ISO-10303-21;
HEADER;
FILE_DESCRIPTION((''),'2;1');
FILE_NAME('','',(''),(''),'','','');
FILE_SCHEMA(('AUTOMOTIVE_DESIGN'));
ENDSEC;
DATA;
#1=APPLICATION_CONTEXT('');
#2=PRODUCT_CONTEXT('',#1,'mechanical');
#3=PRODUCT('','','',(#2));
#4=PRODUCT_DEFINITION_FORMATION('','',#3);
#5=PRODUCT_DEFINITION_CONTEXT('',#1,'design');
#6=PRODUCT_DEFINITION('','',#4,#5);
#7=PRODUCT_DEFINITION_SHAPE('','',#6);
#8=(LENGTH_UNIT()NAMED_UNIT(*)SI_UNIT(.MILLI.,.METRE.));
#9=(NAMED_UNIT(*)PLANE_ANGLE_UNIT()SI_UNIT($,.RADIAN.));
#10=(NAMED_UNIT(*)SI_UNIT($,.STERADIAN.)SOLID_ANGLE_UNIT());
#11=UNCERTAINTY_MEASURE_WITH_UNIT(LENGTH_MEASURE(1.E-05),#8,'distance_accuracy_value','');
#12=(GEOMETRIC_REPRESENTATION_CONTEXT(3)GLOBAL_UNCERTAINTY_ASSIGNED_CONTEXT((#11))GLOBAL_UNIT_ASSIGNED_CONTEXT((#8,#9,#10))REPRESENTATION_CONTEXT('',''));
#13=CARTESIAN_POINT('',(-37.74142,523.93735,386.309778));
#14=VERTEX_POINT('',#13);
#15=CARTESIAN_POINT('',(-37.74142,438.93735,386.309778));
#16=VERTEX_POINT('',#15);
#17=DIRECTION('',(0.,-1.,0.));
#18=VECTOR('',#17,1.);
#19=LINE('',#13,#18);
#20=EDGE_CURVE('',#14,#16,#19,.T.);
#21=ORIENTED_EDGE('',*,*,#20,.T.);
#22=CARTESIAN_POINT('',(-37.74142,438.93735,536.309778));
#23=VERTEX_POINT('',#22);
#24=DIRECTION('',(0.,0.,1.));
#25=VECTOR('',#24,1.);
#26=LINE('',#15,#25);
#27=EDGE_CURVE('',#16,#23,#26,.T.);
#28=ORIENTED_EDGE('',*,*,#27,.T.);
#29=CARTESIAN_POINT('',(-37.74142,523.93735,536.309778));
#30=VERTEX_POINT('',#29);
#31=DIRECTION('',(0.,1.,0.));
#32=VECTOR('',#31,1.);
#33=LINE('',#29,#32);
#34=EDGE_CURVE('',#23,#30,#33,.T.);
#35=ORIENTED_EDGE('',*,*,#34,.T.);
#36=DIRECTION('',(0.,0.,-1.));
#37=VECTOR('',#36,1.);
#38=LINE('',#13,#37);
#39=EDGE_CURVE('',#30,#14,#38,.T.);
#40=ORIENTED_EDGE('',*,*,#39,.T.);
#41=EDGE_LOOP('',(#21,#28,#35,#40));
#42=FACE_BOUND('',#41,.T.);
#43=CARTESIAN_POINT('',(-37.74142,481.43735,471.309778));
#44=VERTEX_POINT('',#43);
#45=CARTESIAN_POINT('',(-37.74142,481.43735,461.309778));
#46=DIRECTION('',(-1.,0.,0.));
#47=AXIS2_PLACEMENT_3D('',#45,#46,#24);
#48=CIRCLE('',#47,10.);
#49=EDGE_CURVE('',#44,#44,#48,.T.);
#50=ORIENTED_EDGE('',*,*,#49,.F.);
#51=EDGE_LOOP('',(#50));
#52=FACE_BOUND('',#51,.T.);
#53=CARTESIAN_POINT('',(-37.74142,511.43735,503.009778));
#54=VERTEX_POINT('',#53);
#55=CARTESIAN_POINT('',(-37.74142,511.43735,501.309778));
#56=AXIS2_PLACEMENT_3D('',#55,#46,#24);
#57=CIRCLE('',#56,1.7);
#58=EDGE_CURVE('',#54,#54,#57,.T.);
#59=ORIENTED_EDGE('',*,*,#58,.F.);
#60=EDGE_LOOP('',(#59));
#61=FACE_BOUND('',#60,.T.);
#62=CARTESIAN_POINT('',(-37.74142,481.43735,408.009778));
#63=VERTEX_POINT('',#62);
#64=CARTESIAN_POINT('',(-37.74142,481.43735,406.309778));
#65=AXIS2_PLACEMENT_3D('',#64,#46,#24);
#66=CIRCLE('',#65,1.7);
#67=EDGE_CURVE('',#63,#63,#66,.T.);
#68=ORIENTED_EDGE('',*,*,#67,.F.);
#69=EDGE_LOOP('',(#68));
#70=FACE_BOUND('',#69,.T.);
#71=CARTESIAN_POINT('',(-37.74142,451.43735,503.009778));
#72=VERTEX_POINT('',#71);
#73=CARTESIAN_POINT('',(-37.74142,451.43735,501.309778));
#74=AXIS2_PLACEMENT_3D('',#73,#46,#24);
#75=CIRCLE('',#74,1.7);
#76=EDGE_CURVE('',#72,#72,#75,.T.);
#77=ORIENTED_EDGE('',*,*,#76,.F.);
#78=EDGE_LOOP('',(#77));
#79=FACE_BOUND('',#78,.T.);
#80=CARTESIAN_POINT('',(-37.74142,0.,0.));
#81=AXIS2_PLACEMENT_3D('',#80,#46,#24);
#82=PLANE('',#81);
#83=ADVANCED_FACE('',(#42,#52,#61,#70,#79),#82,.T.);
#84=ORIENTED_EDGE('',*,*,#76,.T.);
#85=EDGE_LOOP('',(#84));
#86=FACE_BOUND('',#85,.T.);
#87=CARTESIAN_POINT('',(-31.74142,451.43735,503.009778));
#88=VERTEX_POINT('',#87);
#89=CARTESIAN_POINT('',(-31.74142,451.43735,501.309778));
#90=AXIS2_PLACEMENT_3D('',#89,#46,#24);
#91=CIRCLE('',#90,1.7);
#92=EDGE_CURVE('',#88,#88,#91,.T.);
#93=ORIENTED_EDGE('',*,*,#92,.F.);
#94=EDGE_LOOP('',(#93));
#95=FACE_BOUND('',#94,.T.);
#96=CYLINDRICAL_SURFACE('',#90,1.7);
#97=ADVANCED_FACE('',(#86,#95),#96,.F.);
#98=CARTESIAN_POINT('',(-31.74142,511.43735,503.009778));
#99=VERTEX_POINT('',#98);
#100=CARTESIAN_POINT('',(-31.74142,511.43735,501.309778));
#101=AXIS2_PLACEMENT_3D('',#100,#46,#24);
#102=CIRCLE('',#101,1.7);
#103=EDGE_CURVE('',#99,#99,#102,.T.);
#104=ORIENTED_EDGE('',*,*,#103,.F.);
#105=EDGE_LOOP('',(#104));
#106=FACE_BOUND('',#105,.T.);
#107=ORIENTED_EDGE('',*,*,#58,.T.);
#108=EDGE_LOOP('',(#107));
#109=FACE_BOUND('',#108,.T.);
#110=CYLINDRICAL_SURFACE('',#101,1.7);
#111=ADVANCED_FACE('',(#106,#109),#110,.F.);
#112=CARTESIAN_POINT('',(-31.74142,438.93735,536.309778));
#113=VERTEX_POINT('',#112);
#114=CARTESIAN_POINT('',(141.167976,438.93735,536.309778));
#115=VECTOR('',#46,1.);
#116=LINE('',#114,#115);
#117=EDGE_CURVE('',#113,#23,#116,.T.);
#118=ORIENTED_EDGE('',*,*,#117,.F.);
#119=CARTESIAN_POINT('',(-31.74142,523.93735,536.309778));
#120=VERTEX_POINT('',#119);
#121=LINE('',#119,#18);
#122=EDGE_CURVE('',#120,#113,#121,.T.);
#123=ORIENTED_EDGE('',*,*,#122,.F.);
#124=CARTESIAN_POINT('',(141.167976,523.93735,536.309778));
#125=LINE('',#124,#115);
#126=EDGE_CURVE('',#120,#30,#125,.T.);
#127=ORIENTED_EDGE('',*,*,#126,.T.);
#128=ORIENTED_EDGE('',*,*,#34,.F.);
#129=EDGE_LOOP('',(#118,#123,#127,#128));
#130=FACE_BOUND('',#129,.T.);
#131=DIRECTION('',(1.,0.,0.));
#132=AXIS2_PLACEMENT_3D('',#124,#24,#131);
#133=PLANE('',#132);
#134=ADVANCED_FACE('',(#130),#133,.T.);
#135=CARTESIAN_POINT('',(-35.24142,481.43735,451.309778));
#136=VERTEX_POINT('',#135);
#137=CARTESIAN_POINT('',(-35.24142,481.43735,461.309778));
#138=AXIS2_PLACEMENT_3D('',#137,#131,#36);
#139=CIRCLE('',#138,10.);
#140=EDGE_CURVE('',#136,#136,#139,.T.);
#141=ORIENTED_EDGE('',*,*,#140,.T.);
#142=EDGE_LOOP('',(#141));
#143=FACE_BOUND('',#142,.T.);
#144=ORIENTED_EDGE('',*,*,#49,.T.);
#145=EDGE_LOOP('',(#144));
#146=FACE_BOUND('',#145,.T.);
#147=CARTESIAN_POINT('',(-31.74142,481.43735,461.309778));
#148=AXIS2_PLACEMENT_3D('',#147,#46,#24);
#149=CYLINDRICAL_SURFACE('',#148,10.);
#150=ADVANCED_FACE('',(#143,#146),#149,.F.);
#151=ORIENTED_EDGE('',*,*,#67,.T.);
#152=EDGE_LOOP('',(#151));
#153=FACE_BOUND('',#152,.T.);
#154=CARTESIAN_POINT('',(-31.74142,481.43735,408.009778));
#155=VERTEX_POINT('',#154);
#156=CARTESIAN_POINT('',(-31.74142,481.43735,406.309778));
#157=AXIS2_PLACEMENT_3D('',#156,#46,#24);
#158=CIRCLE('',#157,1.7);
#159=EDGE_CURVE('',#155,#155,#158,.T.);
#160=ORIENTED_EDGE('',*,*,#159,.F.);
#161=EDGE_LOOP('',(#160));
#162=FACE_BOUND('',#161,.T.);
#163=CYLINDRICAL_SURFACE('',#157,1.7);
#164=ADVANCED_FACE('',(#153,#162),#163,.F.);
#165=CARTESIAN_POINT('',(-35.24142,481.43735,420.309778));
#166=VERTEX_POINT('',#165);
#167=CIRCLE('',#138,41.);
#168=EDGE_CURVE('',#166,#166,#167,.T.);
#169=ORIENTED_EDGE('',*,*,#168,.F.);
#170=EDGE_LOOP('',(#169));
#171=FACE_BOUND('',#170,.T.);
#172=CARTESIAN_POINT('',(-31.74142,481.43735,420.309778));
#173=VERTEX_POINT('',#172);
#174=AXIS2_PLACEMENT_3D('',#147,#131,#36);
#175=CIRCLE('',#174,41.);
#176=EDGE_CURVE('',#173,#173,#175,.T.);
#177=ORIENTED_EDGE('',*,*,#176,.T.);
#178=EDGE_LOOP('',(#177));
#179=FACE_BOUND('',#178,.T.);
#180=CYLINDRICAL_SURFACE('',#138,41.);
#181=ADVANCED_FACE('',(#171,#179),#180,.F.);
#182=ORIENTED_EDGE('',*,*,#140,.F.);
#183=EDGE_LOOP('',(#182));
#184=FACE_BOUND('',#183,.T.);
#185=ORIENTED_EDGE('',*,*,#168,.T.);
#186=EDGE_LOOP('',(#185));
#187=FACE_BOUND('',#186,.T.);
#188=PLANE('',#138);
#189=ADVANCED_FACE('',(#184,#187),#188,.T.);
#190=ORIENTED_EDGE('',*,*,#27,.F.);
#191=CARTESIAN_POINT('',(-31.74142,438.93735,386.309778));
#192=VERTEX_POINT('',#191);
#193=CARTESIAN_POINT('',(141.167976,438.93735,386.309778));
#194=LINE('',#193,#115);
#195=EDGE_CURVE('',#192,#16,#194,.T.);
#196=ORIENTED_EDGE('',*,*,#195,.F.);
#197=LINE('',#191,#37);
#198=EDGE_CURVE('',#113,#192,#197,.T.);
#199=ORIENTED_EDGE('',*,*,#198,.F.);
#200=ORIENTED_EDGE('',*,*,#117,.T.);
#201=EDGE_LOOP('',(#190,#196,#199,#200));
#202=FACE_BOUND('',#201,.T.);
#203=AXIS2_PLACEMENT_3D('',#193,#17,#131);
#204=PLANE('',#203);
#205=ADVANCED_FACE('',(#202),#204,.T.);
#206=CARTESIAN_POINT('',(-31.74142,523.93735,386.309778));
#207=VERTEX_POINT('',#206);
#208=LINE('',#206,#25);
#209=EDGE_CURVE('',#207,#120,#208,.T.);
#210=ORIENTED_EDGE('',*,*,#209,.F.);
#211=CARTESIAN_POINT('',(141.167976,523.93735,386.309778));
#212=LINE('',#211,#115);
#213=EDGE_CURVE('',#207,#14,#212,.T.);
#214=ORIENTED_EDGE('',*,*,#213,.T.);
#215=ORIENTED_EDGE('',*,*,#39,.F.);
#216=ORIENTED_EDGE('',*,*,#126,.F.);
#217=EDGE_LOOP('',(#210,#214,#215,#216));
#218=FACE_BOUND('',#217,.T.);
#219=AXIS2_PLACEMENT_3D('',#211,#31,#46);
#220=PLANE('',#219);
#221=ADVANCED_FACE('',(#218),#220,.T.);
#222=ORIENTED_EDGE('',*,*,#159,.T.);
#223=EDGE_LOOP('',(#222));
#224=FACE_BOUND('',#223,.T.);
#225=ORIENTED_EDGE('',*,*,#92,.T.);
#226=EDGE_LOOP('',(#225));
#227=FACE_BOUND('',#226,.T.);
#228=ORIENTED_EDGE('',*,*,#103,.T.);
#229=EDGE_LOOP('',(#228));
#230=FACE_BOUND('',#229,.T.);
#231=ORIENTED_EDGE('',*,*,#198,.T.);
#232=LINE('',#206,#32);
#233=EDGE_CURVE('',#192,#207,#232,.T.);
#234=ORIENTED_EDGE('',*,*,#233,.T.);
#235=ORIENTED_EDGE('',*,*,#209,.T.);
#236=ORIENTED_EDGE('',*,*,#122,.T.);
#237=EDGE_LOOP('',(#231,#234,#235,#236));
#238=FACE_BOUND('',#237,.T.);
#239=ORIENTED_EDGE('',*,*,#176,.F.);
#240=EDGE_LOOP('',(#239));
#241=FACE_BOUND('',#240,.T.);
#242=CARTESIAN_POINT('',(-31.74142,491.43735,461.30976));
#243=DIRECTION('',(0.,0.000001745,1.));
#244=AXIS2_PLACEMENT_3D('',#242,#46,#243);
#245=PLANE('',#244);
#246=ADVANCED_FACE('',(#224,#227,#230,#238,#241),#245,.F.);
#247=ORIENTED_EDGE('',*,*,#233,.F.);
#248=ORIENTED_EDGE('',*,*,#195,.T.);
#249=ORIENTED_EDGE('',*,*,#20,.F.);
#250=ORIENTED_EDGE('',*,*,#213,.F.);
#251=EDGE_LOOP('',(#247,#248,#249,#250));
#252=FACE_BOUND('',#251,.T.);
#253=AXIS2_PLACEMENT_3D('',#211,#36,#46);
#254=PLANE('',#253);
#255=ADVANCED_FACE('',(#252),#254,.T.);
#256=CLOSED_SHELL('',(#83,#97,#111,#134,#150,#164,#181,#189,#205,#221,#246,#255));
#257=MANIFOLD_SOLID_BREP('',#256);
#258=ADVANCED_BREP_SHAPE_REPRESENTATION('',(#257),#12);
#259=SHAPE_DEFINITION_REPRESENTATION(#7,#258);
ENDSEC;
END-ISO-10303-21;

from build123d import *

# Parameters (mm, degrees)
BOSS_EXTRUDE1_DEPTH      = 3.5
BOSS_EXTRUDE1_DEPTH_BACK = 2.5
SKETCH1_W                = 150
SKETCH1_H                = 85
SKETCH4_R                = 41
CUT_EXTRUDE2_DEPTH       = 3.5
SKETCH5_R                = 10
CUT_EXTRUDE3_DEPTH       = 750.782985078
SKETCH8_R                = 1.7
CUT_EXTRUDE5_DEPTH       = 750.782985078


with BuildPart() as part:
    # Sketch1 → Boss-Extrude1 (new, two sides: drawn at the far end of the back side and taken through both)
    with BuildSketch(Plane.ZY.offset(34.241420021).offset(-BOSS_EXTRUDE1_DEPTH_BACK)):
        with Locations((461.309777683, 481.437350332)):
            Rectangle(SKETCH1_W, SKETCH1_H)
    extrude(amount=BOSS_EXTRUDE1_DEPTH + BOSS_EXTRUDE1_DEPTH_BACK)

    # Sketch4 → Cut-Extrude2 (cut)
    with BuildSketch(Plane(origin=(-31.741420021, 0, 0), x_dir=(0, 0, -1), z_dir=(1, 0, 0))):
        with Locations((-461.309777683, 481.437350332)):
            Circle(SKETCH4_R)
    extrude(amount=-CUT_EXTRUDE2_DEPTH, mode=Mode.SUBTRACT)

    # Sketch5 → Cut-Extrude3 (cut, through all)
    with BuildSketch(Plane.ZY.offset(37.741420021)):
        with Locations((461.309777683, 481.437350332)):
            Circle(SKETCH5_R)
    extrude(amount=-CUT_EXTRUDE3_DEPTH, mode=Mode.SUBTRACT)

    # Sketch8 → Cut-Extrude5 (cut, through all)
    with BuildSketch(Plane.ZY.offset(37.741420021)):
        with Locations((501.309777683, 511.437350332)):
            Circle(SKETCH8_R)
        with Locations((406.309777683, 481.437350332)):
            Circle(SKETCH8_R)
        with Locations((501.309777683, 451.437350332)):
            Circle(SKETCH8_R)
    extrude(amount=-CUT_EXTRUDE5_DEPTH, mode=Mode.SUBTRACT)


solid = part.part
